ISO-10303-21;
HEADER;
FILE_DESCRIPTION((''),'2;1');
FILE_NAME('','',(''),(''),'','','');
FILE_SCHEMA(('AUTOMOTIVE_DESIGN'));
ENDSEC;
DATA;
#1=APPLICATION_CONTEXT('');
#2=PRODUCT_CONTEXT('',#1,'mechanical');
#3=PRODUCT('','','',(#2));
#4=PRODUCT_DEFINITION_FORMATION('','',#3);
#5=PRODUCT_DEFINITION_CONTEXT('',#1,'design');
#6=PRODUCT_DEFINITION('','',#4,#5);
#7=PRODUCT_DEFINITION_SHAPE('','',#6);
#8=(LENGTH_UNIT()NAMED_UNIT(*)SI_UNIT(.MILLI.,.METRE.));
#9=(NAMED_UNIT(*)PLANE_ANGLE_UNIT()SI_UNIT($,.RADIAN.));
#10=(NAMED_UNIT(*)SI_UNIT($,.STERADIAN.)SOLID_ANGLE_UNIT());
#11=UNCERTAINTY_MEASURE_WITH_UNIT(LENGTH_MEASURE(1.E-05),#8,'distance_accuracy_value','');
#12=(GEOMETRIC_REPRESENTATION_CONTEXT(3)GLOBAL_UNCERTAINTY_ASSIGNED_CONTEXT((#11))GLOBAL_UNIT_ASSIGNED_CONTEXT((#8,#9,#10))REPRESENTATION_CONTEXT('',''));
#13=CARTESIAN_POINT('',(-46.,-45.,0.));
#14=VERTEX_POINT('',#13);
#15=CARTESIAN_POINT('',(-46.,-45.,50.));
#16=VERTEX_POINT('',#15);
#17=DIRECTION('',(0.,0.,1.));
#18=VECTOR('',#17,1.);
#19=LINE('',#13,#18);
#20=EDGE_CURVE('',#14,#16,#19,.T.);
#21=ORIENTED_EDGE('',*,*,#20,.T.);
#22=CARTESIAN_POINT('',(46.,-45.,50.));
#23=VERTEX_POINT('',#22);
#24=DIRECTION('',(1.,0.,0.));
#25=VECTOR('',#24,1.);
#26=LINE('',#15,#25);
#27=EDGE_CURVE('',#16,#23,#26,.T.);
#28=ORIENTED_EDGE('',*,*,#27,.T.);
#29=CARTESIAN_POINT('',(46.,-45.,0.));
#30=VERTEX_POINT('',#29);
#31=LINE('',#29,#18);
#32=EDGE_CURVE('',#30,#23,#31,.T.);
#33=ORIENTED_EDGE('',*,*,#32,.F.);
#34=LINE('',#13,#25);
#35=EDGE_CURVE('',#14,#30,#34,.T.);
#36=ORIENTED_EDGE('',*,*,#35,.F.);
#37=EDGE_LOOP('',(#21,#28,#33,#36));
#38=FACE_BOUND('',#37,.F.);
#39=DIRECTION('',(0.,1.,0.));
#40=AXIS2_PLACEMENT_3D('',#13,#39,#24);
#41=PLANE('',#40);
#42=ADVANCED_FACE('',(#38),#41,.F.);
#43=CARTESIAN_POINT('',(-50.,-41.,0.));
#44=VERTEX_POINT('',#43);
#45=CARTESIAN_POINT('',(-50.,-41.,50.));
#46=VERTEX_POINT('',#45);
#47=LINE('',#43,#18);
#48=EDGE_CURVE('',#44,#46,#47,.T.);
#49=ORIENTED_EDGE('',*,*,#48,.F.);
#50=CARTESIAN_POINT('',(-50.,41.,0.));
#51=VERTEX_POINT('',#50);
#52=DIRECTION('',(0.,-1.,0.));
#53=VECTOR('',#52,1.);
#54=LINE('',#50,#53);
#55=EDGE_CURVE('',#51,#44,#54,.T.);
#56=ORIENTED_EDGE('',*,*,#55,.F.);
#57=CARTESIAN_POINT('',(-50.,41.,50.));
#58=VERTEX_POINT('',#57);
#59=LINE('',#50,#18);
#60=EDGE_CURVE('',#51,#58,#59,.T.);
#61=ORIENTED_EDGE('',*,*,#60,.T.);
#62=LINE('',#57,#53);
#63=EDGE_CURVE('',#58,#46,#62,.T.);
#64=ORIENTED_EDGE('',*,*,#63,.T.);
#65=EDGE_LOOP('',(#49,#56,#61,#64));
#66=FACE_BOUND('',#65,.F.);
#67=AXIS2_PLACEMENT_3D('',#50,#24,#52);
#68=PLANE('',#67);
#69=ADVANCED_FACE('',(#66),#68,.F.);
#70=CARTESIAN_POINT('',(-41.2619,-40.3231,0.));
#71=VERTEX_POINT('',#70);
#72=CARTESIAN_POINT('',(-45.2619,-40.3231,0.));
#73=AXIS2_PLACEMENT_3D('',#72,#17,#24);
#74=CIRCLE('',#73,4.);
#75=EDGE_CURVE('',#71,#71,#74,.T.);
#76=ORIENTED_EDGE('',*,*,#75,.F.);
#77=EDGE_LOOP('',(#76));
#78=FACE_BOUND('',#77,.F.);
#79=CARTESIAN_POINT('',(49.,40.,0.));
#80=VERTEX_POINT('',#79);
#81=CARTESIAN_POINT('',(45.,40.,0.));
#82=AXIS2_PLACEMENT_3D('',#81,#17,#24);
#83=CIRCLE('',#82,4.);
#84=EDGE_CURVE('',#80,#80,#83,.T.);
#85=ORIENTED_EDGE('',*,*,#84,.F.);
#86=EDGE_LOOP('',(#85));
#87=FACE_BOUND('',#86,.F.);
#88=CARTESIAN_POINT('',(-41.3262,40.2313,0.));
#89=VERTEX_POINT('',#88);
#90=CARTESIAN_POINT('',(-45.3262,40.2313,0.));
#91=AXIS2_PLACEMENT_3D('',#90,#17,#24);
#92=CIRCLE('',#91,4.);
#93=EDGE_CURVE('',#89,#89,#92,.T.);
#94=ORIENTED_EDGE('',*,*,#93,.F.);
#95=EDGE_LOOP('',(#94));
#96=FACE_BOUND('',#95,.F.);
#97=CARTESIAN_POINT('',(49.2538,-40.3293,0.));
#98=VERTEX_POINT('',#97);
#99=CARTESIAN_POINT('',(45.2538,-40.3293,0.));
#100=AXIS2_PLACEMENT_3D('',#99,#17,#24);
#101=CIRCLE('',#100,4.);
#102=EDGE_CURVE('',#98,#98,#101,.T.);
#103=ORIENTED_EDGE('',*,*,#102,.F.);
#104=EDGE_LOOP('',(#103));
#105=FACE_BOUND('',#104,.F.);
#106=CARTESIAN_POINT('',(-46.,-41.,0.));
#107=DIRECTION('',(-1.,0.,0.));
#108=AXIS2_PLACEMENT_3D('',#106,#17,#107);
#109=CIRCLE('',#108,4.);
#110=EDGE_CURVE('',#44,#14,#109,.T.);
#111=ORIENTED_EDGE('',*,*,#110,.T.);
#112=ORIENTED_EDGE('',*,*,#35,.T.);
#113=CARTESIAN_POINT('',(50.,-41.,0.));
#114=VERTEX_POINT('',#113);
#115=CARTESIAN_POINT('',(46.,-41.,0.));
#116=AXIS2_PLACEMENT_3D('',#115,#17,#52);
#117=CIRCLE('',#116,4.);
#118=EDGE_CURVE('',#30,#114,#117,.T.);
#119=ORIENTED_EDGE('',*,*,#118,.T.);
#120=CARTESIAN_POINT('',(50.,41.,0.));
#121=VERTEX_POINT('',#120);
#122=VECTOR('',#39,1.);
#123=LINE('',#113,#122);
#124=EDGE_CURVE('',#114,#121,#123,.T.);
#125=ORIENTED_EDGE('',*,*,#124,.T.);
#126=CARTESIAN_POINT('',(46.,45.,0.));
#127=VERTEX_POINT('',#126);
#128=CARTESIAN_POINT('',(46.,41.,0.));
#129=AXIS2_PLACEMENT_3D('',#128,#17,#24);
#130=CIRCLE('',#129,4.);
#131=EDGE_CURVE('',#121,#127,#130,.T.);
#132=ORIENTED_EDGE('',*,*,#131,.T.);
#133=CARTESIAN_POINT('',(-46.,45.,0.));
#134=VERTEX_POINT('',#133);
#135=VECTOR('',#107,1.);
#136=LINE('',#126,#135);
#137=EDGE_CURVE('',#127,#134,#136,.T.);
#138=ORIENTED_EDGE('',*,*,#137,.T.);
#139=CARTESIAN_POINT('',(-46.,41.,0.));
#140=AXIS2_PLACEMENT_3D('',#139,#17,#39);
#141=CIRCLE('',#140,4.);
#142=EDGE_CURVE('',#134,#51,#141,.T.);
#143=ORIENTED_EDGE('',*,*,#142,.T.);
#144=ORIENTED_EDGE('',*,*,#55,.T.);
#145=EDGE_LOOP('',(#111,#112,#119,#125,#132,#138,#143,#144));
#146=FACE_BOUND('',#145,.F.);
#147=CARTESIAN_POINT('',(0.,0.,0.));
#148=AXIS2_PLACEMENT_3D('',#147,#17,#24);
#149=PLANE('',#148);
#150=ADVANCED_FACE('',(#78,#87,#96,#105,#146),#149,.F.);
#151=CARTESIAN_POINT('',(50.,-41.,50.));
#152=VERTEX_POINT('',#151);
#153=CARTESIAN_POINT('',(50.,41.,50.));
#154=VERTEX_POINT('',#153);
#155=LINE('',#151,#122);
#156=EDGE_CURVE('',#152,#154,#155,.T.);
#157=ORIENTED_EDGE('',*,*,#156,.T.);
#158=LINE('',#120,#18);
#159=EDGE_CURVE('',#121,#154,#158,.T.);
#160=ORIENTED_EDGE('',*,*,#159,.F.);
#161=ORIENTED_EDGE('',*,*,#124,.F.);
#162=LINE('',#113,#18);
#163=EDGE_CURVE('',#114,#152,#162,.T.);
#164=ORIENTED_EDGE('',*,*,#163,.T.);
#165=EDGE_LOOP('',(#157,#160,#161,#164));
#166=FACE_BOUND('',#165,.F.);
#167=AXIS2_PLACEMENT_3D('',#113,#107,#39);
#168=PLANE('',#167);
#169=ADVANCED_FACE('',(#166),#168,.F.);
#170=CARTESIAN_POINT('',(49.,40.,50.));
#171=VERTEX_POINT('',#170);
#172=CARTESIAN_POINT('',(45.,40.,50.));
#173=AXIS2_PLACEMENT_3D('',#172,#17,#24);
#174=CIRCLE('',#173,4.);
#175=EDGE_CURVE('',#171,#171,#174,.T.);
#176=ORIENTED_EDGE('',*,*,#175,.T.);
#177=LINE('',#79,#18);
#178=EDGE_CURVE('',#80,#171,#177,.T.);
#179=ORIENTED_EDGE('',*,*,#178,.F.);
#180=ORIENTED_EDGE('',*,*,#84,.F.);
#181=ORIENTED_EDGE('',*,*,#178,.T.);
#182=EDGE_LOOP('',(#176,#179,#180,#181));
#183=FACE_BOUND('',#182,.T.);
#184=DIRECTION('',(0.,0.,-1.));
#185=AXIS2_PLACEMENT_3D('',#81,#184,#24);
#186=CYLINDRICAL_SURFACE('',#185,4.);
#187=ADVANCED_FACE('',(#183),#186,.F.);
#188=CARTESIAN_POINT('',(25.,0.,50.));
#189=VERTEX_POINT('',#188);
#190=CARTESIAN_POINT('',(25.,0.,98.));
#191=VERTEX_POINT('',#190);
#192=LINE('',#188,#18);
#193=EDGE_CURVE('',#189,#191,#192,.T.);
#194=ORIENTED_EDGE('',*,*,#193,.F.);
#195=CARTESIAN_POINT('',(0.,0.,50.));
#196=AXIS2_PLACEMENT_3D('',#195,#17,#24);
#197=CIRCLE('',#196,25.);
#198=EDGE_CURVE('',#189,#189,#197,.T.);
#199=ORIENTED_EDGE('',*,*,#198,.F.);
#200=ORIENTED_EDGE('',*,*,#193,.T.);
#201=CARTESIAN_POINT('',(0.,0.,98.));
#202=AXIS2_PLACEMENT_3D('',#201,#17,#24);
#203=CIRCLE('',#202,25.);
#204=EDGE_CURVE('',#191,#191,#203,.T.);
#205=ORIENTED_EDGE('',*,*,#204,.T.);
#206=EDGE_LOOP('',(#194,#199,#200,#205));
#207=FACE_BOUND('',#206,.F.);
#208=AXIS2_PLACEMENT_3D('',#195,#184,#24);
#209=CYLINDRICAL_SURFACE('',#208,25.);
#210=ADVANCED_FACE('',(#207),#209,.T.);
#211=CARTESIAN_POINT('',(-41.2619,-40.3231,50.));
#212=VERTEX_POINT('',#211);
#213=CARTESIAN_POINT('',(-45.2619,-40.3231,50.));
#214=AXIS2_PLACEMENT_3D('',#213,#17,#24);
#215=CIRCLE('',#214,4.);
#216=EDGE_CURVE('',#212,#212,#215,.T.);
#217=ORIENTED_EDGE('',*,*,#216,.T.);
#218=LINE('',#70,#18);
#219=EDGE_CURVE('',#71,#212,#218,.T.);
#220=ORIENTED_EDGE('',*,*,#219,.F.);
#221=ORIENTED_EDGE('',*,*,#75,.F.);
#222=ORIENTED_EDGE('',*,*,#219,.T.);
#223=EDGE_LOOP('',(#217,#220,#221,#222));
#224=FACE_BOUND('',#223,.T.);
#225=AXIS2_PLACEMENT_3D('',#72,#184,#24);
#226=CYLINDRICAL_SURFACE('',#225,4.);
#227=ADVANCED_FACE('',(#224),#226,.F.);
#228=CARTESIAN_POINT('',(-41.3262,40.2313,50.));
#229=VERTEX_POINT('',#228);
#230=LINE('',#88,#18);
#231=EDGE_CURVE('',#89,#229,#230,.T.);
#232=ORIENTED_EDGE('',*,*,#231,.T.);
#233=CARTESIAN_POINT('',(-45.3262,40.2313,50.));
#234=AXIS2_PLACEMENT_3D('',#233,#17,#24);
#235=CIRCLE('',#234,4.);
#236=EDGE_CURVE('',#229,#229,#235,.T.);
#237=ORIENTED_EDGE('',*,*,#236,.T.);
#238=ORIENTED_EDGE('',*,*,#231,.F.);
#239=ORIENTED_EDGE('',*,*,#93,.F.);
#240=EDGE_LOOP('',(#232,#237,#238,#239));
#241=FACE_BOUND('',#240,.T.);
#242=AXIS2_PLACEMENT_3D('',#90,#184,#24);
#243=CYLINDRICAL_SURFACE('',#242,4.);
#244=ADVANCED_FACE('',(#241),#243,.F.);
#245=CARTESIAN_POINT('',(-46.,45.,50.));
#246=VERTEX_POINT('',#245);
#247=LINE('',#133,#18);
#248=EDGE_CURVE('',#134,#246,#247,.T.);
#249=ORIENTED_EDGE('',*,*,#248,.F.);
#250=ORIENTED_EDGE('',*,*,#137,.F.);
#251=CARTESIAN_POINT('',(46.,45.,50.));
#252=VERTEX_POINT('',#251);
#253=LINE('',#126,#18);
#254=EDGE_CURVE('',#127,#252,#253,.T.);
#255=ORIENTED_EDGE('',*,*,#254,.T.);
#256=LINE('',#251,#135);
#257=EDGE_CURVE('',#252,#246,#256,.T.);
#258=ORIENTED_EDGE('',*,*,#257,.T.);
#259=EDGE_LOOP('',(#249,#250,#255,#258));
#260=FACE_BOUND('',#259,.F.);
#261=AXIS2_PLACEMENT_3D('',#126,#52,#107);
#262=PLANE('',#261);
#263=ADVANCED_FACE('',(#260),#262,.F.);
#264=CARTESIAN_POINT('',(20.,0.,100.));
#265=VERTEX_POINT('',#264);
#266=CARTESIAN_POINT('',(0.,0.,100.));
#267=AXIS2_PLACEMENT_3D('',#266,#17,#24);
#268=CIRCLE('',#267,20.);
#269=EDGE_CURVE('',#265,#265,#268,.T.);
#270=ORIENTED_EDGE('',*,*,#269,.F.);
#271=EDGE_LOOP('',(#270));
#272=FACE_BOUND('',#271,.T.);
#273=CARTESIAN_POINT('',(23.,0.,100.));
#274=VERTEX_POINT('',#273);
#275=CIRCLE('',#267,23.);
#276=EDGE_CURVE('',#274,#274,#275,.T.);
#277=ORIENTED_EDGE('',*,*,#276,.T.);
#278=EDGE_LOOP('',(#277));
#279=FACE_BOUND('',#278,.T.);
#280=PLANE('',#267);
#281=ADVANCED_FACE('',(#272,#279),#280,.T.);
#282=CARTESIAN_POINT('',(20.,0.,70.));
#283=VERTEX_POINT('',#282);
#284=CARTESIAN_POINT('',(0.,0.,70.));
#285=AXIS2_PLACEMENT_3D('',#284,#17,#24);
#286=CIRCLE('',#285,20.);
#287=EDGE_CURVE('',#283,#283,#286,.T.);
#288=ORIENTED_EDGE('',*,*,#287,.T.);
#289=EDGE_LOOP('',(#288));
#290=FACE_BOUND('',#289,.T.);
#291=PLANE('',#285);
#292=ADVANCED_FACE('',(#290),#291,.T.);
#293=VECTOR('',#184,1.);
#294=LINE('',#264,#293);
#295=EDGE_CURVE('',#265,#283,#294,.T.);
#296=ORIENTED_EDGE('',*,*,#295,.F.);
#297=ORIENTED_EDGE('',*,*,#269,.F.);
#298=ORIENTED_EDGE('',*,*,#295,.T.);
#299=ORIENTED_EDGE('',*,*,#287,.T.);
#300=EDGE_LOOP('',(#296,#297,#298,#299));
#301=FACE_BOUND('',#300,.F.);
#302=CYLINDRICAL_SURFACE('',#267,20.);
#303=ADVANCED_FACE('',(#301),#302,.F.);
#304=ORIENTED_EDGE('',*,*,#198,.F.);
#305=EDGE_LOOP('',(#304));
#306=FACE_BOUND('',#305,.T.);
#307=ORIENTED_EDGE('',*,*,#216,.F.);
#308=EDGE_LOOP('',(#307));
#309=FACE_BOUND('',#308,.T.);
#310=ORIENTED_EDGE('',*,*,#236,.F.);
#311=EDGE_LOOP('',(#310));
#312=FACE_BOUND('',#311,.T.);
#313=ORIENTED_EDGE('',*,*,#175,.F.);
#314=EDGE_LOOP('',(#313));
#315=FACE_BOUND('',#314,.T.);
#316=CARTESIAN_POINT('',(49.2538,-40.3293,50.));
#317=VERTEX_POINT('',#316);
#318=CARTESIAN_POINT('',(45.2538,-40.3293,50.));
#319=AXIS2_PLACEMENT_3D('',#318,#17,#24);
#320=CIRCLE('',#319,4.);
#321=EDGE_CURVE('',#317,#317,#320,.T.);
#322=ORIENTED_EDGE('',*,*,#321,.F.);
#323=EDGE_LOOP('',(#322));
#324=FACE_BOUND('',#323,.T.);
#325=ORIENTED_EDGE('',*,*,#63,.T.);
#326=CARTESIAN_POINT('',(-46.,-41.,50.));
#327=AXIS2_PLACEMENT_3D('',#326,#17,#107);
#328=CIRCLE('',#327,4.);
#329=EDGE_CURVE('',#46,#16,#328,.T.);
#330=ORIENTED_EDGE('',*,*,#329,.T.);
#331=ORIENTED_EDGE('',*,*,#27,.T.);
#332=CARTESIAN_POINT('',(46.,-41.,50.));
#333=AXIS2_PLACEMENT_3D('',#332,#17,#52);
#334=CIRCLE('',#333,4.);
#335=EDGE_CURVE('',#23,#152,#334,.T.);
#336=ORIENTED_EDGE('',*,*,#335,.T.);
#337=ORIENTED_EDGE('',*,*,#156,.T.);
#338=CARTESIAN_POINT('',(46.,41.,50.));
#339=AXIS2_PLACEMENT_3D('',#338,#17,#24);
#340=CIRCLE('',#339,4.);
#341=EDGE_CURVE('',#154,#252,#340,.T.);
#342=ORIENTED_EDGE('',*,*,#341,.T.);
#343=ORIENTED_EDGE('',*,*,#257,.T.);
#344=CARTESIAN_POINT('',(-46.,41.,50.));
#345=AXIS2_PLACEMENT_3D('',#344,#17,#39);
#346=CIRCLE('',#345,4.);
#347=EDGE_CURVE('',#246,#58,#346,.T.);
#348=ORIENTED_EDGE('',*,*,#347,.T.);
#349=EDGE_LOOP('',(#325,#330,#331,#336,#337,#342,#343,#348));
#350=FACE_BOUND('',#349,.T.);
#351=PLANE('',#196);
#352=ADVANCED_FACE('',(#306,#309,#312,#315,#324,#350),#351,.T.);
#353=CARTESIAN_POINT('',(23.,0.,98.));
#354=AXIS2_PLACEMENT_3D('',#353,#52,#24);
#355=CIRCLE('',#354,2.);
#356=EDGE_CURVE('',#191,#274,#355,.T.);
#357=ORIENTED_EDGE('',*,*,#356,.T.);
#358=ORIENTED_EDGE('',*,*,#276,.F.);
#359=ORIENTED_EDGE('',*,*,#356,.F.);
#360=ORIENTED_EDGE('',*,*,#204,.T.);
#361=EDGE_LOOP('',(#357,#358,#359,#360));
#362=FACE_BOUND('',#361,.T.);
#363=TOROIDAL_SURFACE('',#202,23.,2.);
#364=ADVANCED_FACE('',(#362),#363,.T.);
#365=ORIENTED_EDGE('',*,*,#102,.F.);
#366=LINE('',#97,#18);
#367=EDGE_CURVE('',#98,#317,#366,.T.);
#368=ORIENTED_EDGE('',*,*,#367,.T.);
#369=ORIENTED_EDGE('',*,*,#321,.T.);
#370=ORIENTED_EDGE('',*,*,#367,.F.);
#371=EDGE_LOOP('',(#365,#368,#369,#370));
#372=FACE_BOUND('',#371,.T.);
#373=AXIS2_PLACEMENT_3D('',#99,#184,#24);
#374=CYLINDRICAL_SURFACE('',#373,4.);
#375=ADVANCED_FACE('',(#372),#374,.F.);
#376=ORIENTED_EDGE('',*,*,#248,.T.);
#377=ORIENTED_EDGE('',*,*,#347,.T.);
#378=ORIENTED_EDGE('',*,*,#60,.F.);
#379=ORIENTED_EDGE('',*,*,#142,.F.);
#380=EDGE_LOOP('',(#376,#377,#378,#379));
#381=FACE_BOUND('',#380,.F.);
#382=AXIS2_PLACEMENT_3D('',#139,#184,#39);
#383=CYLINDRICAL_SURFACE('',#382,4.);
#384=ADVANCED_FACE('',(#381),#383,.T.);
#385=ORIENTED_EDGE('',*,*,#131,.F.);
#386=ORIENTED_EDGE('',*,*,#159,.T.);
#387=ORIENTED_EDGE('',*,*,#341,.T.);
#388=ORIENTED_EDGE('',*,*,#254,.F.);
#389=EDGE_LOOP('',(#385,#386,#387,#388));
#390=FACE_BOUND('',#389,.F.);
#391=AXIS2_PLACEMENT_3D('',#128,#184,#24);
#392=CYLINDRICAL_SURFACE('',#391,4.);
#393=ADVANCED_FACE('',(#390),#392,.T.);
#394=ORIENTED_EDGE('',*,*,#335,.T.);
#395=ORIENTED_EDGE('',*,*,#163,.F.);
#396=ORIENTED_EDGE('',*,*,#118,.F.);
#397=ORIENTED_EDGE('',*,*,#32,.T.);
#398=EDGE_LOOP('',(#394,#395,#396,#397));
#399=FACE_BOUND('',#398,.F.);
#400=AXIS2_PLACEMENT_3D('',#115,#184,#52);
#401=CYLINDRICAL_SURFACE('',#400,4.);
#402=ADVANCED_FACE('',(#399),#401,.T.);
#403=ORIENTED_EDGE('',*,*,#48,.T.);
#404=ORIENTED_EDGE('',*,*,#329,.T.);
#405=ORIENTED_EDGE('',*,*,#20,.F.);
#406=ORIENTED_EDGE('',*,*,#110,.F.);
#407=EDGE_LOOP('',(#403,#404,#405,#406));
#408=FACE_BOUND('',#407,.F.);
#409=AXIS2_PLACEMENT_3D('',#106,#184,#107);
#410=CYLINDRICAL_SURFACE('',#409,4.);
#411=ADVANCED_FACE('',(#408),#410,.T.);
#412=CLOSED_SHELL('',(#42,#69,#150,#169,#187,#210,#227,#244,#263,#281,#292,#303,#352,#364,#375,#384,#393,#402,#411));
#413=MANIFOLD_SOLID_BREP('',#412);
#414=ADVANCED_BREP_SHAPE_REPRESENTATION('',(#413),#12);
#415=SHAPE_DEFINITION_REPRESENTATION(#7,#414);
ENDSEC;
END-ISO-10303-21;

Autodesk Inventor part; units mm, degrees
ref_plane "YZ Plane" through (0, 0, 0) normal (1, 0, 0) x (0, 1, 0)
ref_plane "XZ Plane" through (0, 0, 0) normal (0, 1, 0) x (-1, 0, 0)
ref_plane "XY Plane" through (0, 0, 0) normal (0, 0, 1) x (1, 0, 0)
sketch "Boceto1" plane through (0, 0, 0) normal (0, 0, 1) x (1, 0, 0)
  line L0 (-46, -45) -> (46, -45)
  line L1 (50, -41) -> (50, 41)
  line L2 (46, 45) -> (-46, 45)
  line L3 (-50, 41) -> (-50, -41)
  line L4 (-50, -45) -> (50, 45) construction
  line L5 (50, -45) -> (-50, 45) construction
  arc A0 (-46, 45) -> (-50, 41) centre (-46, 41) ccw
  arc A1 (50, 41) -> (46, 45) centre (46, 41) ccw
  arc A2 (-50, -41) -> (-46, -45) centre (-46, -41) ccw
  arc A3 (46, -45) -> (50, -41) centre (46, -41) ccw
  circle A4 centre (45, 40) radius 4
  line L6 (-46, 41) -> (-45.331, 40.2567)
  circle A5 centre (-45.3262, 40.2313) radius 4
  line L7 (46, -41) -> (45.2567, -40.331)
  circle A6 centre (45.2538, -40.3293) radius 4
  circle A7 centre (-45.2619, -40.3231) radius 4
  point P0 (0, 0)
  dimension "d0" = 100
  dimension "d1" = 90
  dimension "d50" = 1
  dimension "d51" = 1
extrude "Extrusión1" add sketch "Boceto1" along normal blind 50
sketch "Boceto2" plane through (0, 0, 50) normal (0, 0, 1) x (1, 0, 0)
  circle A0 centre (0, 0) radius 25
  dimension "d4" = 50
extrude "Extrusión2" add sketch "Boceto2" along normal blind 50
sketch "Boceto3" plane through (0, 0, 100) normal (0, 0, 1) x (1, 0, 0)
  circle A0 centre (0, 0) radius 20
  dimension "d7" = 40
extrude "Extrusión3" cut sketch "Boceto3" against normal blind 30
sketch "Boceto4" plane through (0, 0, 50) normal (0, 0, 1) x (1, 0, 0)
  point P0 (0, 0)
fillet "Empalme1" radius 2 1 edges at (-25, 0, 100)
sketch "Boceto7" plane through (0, 0, 50) normal (0, 0, 1) x (1, 0, 0)
  point P0 (0, 0)
thread "Rosca1" size "M40x3" class "6H" standard "ANSI Metric M Profile" full length
properties part number "PIEZA PRÁCTICA NO.1"
